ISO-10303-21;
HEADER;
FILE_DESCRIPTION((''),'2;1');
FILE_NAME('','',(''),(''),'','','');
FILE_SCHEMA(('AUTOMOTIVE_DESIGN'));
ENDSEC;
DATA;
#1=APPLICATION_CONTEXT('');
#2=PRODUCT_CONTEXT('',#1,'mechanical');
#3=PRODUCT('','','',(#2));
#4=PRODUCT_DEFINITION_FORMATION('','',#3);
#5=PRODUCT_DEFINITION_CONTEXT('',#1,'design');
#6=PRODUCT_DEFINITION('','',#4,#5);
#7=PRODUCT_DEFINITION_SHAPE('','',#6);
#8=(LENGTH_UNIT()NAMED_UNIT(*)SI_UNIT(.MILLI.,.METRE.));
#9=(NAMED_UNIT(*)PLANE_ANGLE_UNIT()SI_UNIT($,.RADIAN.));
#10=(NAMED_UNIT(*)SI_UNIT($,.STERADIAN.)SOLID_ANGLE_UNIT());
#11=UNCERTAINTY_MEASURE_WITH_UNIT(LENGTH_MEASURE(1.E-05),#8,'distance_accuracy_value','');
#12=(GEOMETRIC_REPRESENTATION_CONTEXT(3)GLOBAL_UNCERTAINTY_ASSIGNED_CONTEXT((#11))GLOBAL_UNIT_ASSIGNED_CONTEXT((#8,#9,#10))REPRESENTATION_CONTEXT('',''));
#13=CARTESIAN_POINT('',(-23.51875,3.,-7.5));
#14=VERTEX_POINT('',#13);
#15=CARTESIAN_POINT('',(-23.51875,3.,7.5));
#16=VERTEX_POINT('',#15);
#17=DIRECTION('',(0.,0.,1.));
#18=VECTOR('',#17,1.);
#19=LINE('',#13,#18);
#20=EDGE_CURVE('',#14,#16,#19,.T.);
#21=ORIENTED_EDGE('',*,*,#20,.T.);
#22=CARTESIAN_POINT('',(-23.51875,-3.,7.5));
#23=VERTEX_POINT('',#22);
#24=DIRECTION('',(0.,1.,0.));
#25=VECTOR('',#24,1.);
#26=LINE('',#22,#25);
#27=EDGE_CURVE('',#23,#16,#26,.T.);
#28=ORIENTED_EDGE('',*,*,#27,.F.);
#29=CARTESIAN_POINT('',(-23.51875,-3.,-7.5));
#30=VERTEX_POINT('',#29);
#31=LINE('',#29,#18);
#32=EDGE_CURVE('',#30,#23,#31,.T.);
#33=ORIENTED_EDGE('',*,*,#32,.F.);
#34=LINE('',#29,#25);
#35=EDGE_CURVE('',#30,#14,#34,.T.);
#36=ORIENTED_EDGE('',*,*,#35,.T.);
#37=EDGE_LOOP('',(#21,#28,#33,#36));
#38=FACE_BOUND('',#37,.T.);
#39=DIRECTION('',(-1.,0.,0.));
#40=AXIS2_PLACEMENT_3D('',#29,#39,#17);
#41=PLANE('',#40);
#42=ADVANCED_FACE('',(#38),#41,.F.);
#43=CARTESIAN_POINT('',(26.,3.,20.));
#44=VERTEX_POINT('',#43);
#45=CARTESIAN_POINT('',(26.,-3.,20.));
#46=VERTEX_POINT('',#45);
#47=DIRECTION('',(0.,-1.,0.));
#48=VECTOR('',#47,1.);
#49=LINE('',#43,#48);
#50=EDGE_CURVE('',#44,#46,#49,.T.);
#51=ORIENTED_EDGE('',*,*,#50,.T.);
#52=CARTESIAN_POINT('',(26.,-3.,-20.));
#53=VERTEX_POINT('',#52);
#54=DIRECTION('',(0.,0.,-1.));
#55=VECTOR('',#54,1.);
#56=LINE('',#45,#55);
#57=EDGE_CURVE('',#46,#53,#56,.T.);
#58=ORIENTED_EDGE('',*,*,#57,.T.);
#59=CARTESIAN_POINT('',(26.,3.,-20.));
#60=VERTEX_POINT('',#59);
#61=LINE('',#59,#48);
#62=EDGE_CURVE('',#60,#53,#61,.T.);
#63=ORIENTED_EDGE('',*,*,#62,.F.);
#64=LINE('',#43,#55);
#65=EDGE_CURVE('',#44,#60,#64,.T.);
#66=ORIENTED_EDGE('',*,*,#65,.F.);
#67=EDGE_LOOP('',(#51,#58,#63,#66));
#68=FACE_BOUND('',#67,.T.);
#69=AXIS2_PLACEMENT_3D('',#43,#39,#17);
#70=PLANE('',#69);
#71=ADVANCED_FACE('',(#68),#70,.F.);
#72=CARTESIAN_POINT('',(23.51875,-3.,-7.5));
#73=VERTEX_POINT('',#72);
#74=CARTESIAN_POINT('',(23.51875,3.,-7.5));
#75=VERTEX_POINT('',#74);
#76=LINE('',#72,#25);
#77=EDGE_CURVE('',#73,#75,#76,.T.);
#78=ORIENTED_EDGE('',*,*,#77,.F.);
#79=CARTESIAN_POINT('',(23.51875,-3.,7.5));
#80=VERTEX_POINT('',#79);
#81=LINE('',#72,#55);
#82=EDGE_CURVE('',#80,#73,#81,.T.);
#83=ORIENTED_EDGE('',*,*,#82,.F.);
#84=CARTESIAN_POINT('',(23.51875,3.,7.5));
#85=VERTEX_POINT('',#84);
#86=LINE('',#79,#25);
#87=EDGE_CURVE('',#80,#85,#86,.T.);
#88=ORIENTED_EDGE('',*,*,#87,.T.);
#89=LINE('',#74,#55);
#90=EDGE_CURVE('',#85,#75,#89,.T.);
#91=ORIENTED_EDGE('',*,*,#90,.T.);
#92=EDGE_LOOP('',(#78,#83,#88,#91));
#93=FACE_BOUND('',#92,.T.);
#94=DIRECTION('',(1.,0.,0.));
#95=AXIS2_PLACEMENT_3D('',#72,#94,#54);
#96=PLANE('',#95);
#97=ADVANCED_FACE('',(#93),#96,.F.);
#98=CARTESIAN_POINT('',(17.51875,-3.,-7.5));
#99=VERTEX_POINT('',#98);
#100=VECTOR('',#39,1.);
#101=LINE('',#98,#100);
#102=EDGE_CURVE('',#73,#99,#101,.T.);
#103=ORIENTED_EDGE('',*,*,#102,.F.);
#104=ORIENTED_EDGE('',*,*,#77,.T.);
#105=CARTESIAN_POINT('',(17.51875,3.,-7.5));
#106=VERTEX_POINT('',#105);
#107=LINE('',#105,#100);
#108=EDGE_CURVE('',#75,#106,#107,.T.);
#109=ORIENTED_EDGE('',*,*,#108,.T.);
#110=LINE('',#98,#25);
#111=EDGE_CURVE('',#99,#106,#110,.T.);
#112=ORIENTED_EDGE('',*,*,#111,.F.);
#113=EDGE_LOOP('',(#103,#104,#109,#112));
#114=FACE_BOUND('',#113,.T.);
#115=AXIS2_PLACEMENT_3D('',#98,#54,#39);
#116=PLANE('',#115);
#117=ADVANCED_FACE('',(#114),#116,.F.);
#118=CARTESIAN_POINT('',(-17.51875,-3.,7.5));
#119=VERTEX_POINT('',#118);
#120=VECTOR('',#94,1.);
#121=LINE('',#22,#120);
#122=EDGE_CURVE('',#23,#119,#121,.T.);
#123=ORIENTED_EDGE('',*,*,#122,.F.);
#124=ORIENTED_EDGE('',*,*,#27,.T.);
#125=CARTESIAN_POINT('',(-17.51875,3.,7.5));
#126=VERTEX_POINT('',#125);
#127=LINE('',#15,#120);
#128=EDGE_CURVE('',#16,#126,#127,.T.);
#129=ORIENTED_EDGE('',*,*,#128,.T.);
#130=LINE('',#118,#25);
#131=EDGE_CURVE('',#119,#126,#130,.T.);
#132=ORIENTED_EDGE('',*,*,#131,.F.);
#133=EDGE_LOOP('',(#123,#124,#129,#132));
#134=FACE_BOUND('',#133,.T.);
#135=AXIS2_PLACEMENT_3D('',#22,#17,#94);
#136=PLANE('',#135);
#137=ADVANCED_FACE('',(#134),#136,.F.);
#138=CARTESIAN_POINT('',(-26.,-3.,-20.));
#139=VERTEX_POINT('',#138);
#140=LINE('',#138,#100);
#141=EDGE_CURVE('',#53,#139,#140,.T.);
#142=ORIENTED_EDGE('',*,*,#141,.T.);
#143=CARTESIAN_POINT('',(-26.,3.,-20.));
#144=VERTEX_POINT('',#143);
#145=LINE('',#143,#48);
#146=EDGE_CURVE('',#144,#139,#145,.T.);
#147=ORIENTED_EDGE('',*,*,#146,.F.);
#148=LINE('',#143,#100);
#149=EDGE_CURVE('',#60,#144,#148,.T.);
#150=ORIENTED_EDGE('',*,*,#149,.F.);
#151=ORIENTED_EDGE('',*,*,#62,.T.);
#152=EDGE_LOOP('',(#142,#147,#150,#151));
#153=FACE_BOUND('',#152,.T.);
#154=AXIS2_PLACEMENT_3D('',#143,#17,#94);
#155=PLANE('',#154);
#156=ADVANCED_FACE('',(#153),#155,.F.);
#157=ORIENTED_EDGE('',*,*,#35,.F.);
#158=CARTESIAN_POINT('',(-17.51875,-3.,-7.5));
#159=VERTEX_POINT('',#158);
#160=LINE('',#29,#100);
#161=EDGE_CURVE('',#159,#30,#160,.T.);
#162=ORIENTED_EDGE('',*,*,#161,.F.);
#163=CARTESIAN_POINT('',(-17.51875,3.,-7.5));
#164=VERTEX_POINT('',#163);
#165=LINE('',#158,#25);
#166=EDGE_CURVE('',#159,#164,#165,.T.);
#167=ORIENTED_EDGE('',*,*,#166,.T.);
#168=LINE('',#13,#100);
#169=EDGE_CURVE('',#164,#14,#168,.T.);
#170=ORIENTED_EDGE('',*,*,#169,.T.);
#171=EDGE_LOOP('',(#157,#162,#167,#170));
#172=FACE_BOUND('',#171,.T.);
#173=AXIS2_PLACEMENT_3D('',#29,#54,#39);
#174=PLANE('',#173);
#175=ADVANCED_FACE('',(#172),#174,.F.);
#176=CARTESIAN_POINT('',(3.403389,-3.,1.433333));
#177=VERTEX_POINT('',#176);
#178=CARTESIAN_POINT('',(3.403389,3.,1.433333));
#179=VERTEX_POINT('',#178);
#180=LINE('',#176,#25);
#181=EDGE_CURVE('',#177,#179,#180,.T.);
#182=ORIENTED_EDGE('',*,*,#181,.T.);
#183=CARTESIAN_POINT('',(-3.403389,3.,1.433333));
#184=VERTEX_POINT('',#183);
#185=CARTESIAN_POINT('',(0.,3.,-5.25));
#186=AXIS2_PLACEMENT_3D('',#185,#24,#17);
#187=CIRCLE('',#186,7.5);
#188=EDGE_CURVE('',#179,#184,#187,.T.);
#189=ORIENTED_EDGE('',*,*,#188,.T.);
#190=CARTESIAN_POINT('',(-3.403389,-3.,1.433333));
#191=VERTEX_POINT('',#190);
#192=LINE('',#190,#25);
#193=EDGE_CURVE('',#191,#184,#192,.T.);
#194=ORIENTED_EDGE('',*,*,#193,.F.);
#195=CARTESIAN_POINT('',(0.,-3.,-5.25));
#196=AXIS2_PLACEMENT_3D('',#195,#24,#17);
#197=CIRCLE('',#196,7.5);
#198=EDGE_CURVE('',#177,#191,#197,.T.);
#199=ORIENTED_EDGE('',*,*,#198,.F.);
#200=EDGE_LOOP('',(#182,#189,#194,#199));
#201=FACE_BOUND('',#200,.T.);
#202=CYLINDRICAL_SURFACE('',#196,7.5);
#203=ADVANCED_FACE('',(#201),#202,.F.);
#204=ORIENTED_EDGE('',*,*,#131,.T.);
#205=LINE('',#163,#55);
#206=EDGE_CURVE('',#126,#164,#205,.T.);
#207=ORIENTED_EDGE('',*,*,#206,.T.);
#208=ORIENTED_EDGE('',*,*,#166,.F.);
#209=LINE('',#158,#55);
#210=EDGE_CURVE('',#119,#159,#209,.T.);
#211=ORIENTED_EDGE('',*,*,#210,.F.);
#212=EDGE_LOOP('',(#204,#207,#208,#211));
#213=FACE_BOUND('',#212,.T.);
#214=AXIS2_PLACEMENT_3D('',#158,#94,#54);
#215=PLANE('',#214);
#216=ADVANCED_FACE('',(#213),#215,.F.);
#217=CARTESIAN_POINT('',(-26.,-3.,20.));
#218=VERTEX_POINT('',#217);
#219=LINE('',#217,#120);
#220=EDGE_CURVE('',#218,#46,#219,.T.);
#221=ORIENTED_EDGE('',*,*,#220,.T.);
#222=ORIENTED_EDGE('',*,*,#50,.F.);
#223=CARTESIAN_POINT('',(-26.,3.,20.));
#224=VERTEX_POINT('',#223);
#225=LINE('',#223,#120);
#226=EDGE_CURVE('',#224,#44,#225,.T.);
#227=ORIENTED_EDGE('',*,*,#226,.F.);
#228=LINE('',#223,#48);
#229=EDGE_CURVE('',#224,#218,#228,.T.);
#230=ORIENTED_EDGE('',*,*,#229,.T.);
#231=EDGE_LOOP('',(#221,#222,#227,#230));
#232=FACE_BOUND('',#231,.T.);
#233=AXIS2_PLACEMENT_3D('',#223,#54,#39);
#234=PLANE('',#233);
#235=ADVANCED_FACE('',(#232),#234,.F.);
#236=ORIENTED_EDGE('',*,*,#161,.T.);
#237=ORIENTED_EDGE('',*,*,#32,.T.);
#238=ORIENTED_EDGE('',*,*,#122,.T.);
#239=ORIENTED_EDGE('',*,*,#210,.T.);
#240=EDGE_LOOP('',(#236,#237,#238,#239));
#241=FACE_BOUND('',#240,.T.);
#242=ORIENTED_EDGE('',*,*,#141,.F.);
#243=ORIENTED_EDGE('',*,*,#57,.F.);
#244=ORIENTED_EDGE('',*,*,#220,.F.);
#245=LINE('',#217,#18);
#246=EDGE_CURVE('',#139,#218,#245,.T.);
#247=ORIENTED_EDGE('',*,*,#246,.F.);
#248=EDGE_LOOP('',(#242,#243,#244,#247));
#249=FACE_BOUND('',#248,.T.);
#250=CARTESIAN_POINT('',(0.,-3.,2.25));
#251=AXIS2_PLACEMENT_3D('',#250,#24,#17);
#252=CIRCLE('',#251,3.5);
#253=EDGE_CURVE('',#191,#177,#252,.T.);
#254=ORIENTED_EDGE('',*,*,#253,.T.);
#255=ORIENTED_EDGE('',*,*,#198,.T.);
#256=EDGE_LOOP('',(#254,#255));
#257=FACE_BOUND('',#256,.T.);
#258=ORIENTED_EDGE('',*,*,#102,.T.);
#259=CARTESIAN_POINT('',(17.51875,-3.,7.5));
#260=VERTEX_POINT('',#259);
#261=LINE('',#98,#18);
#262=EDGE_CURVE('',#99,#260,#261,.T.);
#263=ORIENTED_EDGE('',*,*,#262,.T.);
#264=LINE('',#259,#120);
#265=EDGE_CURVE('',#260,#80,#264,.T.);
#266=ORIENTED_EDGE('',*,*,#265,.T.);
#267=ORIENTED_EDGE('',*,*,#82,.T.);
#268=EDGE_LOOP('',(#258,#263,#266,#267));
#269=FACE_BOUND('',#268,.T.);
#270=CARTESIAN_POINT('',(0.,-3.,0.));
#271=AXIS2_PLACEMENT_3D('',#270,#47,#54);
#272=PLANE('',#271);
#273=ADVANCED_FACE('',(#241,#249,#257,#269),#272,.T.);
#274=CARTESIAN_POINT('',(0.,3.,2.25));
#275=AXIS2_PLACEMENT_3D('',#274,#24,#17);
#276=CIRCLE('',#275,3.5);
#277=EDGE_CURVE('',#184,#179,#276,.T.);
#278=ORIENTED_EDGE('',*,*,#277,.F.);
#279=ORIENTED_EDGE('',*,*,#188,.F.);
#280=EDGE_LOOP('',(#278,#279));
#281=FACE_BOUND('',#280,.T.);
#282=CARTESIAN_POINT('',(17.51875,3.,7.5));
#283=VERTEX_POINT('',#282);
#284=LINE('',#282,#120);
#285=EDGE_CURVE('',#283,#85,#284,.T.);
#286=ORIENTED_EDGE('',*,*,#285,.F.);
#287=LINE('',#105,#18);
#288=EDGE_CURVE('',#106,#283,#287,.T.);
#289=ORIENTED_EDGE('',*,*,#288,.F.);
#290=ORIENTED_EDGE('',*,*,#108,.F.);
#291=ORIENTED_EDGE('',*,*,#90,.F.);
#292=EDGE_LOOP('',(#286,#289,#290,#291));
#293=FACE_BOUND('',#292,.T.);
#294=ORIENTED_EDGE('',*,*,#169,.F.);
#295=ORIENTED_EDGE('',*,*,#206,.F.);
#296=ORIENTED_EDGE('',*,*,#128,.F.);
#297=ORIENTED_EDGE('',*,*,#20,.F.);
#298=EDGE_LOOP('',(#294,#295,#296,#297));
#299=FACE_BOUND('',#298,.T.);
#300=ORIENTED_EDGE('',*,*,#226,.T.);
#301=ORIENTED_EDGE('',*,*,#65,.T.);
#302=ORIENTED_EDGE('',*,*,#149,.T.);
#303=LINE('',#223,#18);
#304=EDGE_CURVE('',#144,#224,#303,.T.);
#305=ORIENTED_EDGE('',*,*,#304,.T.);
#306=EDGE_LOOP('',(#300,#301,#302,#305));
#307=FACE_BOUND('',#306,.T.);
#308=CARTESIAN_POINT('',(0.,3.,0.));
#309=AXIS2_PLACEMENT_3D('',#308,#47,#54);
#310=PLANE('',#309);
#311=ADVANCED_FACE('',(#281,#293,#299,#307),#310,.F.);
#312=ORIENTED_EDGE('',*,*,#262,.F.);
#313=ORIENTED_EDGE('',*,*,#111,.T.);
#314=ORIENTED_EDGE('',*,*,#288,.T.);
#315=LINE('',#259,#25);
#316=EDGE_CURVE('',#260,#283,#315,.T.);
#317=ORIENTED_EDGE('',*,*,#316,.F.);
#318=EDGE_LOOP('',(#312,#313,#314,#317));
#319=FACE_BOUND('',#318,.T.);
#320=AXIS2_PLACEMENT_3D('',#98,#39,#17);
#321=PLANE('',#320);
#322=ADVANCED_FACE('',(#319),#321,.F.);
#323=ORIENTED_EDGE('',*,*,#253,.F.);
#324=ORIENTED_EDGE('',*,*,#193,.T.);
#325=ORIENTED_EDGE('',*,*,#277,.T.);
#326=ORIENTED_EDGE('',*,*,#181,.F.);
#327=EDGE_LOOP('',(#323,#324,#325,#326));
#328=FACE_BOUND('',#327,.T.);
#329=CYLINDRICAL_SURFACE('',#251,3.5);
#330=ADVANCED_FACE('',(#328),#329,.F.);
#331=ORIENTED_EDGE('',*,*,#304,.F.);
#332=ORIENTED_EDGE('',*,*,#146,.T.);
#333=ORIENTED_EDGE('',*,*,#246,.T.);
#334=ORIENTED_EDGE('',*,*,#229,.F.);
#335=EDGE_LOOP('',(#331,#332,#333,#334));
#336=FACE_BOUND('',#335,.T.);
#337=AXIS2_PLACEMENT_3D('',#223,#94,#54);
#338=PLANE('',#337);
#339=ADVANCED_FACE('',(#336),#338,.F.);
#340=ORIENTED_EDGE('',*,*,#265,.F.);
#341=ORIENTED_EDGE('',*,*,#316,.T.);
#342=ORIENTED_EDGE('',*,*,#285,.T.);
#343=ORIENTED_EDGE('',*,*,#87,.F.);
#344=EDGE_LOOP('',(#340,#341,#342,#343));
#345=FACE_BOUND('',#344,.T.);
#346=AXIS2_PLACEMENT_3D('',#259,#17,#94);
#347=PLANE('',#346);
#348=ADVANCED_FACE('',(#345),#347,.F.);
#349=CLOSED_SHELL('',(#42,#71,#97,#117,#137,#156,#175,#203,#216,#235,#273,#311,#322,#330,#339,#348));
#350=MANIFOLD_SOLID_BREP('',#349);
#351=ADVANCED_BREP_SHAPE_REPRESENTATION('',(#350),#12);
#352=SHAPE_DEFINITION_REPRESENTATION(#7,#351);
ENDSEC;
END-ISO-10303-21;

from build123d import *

# Parameters (mm, degrees)
CROQUIS1_W              = 52
CROQUIS1_H              = 40
SALIENTE_EXTRUIR1_DEPTH = 3
CROQUIS2_W              = 6
CROQUIS2_H              = 15
CORTAR_EXTRUIR1_DEPTH   = 34.346664001
CORTAR_EXTRUIR2_DEPTH   = 34.346664001


with BuildPart() as part:
    # Croquis1 → Saliente-Extruir1 (new, symmetric)
    with BuildSketch(Plane(origin=(0, 0, 0), x_dir=(1, 0, 0), z_dir=(0, 1, 0))):
        Rectangle(CROQUIS1_W, CROQUIS1_H)
    extrude(amount=SALIENTE_EXTRUIR1_DEPTH, both=True)

    # Croquis2 → Cortar-Extruir1 (cut, through all)
    with BuildSketch(Plane(origin=(0, 3, 0), x_dir=(1, 0, 0), z_dir=(0, 1, 0))):
        with Locations((-20.51875, 0)):
            Rectangle(CROQUIS2_W, CROQUIS2_H)
        with Locations((20.51875, 0)):
            Rectangle(CROQUIS2_W, CROQUIS2_H)
    extrude(amount=-CORTAR_EXTRUIR1_DEPTH, mode=Mode.SUBTRACT)

    # Croquis3 → Cortar-Extruir2 (cut, through all)
    with BuildSketch(Plane(origin=(0, 3, 0), x_dir=(1, 0, 0), z_dir=(0, 1, 0))):
        with BuildLine():
            ThreePointArc((3.403388834, -1.433333333), (0, 12.75), (-3.403388834, -1.433333333))
            ThreePointArc((-3.403388834, -1.433333333), (0, -5.75), (3.403388834, -1.433333333))
        make_face()
    extrude(amount=-CORTAR_EXTRUIR2_DEPTH, mode=Mode.SUBTRACT)


solid = part.part
